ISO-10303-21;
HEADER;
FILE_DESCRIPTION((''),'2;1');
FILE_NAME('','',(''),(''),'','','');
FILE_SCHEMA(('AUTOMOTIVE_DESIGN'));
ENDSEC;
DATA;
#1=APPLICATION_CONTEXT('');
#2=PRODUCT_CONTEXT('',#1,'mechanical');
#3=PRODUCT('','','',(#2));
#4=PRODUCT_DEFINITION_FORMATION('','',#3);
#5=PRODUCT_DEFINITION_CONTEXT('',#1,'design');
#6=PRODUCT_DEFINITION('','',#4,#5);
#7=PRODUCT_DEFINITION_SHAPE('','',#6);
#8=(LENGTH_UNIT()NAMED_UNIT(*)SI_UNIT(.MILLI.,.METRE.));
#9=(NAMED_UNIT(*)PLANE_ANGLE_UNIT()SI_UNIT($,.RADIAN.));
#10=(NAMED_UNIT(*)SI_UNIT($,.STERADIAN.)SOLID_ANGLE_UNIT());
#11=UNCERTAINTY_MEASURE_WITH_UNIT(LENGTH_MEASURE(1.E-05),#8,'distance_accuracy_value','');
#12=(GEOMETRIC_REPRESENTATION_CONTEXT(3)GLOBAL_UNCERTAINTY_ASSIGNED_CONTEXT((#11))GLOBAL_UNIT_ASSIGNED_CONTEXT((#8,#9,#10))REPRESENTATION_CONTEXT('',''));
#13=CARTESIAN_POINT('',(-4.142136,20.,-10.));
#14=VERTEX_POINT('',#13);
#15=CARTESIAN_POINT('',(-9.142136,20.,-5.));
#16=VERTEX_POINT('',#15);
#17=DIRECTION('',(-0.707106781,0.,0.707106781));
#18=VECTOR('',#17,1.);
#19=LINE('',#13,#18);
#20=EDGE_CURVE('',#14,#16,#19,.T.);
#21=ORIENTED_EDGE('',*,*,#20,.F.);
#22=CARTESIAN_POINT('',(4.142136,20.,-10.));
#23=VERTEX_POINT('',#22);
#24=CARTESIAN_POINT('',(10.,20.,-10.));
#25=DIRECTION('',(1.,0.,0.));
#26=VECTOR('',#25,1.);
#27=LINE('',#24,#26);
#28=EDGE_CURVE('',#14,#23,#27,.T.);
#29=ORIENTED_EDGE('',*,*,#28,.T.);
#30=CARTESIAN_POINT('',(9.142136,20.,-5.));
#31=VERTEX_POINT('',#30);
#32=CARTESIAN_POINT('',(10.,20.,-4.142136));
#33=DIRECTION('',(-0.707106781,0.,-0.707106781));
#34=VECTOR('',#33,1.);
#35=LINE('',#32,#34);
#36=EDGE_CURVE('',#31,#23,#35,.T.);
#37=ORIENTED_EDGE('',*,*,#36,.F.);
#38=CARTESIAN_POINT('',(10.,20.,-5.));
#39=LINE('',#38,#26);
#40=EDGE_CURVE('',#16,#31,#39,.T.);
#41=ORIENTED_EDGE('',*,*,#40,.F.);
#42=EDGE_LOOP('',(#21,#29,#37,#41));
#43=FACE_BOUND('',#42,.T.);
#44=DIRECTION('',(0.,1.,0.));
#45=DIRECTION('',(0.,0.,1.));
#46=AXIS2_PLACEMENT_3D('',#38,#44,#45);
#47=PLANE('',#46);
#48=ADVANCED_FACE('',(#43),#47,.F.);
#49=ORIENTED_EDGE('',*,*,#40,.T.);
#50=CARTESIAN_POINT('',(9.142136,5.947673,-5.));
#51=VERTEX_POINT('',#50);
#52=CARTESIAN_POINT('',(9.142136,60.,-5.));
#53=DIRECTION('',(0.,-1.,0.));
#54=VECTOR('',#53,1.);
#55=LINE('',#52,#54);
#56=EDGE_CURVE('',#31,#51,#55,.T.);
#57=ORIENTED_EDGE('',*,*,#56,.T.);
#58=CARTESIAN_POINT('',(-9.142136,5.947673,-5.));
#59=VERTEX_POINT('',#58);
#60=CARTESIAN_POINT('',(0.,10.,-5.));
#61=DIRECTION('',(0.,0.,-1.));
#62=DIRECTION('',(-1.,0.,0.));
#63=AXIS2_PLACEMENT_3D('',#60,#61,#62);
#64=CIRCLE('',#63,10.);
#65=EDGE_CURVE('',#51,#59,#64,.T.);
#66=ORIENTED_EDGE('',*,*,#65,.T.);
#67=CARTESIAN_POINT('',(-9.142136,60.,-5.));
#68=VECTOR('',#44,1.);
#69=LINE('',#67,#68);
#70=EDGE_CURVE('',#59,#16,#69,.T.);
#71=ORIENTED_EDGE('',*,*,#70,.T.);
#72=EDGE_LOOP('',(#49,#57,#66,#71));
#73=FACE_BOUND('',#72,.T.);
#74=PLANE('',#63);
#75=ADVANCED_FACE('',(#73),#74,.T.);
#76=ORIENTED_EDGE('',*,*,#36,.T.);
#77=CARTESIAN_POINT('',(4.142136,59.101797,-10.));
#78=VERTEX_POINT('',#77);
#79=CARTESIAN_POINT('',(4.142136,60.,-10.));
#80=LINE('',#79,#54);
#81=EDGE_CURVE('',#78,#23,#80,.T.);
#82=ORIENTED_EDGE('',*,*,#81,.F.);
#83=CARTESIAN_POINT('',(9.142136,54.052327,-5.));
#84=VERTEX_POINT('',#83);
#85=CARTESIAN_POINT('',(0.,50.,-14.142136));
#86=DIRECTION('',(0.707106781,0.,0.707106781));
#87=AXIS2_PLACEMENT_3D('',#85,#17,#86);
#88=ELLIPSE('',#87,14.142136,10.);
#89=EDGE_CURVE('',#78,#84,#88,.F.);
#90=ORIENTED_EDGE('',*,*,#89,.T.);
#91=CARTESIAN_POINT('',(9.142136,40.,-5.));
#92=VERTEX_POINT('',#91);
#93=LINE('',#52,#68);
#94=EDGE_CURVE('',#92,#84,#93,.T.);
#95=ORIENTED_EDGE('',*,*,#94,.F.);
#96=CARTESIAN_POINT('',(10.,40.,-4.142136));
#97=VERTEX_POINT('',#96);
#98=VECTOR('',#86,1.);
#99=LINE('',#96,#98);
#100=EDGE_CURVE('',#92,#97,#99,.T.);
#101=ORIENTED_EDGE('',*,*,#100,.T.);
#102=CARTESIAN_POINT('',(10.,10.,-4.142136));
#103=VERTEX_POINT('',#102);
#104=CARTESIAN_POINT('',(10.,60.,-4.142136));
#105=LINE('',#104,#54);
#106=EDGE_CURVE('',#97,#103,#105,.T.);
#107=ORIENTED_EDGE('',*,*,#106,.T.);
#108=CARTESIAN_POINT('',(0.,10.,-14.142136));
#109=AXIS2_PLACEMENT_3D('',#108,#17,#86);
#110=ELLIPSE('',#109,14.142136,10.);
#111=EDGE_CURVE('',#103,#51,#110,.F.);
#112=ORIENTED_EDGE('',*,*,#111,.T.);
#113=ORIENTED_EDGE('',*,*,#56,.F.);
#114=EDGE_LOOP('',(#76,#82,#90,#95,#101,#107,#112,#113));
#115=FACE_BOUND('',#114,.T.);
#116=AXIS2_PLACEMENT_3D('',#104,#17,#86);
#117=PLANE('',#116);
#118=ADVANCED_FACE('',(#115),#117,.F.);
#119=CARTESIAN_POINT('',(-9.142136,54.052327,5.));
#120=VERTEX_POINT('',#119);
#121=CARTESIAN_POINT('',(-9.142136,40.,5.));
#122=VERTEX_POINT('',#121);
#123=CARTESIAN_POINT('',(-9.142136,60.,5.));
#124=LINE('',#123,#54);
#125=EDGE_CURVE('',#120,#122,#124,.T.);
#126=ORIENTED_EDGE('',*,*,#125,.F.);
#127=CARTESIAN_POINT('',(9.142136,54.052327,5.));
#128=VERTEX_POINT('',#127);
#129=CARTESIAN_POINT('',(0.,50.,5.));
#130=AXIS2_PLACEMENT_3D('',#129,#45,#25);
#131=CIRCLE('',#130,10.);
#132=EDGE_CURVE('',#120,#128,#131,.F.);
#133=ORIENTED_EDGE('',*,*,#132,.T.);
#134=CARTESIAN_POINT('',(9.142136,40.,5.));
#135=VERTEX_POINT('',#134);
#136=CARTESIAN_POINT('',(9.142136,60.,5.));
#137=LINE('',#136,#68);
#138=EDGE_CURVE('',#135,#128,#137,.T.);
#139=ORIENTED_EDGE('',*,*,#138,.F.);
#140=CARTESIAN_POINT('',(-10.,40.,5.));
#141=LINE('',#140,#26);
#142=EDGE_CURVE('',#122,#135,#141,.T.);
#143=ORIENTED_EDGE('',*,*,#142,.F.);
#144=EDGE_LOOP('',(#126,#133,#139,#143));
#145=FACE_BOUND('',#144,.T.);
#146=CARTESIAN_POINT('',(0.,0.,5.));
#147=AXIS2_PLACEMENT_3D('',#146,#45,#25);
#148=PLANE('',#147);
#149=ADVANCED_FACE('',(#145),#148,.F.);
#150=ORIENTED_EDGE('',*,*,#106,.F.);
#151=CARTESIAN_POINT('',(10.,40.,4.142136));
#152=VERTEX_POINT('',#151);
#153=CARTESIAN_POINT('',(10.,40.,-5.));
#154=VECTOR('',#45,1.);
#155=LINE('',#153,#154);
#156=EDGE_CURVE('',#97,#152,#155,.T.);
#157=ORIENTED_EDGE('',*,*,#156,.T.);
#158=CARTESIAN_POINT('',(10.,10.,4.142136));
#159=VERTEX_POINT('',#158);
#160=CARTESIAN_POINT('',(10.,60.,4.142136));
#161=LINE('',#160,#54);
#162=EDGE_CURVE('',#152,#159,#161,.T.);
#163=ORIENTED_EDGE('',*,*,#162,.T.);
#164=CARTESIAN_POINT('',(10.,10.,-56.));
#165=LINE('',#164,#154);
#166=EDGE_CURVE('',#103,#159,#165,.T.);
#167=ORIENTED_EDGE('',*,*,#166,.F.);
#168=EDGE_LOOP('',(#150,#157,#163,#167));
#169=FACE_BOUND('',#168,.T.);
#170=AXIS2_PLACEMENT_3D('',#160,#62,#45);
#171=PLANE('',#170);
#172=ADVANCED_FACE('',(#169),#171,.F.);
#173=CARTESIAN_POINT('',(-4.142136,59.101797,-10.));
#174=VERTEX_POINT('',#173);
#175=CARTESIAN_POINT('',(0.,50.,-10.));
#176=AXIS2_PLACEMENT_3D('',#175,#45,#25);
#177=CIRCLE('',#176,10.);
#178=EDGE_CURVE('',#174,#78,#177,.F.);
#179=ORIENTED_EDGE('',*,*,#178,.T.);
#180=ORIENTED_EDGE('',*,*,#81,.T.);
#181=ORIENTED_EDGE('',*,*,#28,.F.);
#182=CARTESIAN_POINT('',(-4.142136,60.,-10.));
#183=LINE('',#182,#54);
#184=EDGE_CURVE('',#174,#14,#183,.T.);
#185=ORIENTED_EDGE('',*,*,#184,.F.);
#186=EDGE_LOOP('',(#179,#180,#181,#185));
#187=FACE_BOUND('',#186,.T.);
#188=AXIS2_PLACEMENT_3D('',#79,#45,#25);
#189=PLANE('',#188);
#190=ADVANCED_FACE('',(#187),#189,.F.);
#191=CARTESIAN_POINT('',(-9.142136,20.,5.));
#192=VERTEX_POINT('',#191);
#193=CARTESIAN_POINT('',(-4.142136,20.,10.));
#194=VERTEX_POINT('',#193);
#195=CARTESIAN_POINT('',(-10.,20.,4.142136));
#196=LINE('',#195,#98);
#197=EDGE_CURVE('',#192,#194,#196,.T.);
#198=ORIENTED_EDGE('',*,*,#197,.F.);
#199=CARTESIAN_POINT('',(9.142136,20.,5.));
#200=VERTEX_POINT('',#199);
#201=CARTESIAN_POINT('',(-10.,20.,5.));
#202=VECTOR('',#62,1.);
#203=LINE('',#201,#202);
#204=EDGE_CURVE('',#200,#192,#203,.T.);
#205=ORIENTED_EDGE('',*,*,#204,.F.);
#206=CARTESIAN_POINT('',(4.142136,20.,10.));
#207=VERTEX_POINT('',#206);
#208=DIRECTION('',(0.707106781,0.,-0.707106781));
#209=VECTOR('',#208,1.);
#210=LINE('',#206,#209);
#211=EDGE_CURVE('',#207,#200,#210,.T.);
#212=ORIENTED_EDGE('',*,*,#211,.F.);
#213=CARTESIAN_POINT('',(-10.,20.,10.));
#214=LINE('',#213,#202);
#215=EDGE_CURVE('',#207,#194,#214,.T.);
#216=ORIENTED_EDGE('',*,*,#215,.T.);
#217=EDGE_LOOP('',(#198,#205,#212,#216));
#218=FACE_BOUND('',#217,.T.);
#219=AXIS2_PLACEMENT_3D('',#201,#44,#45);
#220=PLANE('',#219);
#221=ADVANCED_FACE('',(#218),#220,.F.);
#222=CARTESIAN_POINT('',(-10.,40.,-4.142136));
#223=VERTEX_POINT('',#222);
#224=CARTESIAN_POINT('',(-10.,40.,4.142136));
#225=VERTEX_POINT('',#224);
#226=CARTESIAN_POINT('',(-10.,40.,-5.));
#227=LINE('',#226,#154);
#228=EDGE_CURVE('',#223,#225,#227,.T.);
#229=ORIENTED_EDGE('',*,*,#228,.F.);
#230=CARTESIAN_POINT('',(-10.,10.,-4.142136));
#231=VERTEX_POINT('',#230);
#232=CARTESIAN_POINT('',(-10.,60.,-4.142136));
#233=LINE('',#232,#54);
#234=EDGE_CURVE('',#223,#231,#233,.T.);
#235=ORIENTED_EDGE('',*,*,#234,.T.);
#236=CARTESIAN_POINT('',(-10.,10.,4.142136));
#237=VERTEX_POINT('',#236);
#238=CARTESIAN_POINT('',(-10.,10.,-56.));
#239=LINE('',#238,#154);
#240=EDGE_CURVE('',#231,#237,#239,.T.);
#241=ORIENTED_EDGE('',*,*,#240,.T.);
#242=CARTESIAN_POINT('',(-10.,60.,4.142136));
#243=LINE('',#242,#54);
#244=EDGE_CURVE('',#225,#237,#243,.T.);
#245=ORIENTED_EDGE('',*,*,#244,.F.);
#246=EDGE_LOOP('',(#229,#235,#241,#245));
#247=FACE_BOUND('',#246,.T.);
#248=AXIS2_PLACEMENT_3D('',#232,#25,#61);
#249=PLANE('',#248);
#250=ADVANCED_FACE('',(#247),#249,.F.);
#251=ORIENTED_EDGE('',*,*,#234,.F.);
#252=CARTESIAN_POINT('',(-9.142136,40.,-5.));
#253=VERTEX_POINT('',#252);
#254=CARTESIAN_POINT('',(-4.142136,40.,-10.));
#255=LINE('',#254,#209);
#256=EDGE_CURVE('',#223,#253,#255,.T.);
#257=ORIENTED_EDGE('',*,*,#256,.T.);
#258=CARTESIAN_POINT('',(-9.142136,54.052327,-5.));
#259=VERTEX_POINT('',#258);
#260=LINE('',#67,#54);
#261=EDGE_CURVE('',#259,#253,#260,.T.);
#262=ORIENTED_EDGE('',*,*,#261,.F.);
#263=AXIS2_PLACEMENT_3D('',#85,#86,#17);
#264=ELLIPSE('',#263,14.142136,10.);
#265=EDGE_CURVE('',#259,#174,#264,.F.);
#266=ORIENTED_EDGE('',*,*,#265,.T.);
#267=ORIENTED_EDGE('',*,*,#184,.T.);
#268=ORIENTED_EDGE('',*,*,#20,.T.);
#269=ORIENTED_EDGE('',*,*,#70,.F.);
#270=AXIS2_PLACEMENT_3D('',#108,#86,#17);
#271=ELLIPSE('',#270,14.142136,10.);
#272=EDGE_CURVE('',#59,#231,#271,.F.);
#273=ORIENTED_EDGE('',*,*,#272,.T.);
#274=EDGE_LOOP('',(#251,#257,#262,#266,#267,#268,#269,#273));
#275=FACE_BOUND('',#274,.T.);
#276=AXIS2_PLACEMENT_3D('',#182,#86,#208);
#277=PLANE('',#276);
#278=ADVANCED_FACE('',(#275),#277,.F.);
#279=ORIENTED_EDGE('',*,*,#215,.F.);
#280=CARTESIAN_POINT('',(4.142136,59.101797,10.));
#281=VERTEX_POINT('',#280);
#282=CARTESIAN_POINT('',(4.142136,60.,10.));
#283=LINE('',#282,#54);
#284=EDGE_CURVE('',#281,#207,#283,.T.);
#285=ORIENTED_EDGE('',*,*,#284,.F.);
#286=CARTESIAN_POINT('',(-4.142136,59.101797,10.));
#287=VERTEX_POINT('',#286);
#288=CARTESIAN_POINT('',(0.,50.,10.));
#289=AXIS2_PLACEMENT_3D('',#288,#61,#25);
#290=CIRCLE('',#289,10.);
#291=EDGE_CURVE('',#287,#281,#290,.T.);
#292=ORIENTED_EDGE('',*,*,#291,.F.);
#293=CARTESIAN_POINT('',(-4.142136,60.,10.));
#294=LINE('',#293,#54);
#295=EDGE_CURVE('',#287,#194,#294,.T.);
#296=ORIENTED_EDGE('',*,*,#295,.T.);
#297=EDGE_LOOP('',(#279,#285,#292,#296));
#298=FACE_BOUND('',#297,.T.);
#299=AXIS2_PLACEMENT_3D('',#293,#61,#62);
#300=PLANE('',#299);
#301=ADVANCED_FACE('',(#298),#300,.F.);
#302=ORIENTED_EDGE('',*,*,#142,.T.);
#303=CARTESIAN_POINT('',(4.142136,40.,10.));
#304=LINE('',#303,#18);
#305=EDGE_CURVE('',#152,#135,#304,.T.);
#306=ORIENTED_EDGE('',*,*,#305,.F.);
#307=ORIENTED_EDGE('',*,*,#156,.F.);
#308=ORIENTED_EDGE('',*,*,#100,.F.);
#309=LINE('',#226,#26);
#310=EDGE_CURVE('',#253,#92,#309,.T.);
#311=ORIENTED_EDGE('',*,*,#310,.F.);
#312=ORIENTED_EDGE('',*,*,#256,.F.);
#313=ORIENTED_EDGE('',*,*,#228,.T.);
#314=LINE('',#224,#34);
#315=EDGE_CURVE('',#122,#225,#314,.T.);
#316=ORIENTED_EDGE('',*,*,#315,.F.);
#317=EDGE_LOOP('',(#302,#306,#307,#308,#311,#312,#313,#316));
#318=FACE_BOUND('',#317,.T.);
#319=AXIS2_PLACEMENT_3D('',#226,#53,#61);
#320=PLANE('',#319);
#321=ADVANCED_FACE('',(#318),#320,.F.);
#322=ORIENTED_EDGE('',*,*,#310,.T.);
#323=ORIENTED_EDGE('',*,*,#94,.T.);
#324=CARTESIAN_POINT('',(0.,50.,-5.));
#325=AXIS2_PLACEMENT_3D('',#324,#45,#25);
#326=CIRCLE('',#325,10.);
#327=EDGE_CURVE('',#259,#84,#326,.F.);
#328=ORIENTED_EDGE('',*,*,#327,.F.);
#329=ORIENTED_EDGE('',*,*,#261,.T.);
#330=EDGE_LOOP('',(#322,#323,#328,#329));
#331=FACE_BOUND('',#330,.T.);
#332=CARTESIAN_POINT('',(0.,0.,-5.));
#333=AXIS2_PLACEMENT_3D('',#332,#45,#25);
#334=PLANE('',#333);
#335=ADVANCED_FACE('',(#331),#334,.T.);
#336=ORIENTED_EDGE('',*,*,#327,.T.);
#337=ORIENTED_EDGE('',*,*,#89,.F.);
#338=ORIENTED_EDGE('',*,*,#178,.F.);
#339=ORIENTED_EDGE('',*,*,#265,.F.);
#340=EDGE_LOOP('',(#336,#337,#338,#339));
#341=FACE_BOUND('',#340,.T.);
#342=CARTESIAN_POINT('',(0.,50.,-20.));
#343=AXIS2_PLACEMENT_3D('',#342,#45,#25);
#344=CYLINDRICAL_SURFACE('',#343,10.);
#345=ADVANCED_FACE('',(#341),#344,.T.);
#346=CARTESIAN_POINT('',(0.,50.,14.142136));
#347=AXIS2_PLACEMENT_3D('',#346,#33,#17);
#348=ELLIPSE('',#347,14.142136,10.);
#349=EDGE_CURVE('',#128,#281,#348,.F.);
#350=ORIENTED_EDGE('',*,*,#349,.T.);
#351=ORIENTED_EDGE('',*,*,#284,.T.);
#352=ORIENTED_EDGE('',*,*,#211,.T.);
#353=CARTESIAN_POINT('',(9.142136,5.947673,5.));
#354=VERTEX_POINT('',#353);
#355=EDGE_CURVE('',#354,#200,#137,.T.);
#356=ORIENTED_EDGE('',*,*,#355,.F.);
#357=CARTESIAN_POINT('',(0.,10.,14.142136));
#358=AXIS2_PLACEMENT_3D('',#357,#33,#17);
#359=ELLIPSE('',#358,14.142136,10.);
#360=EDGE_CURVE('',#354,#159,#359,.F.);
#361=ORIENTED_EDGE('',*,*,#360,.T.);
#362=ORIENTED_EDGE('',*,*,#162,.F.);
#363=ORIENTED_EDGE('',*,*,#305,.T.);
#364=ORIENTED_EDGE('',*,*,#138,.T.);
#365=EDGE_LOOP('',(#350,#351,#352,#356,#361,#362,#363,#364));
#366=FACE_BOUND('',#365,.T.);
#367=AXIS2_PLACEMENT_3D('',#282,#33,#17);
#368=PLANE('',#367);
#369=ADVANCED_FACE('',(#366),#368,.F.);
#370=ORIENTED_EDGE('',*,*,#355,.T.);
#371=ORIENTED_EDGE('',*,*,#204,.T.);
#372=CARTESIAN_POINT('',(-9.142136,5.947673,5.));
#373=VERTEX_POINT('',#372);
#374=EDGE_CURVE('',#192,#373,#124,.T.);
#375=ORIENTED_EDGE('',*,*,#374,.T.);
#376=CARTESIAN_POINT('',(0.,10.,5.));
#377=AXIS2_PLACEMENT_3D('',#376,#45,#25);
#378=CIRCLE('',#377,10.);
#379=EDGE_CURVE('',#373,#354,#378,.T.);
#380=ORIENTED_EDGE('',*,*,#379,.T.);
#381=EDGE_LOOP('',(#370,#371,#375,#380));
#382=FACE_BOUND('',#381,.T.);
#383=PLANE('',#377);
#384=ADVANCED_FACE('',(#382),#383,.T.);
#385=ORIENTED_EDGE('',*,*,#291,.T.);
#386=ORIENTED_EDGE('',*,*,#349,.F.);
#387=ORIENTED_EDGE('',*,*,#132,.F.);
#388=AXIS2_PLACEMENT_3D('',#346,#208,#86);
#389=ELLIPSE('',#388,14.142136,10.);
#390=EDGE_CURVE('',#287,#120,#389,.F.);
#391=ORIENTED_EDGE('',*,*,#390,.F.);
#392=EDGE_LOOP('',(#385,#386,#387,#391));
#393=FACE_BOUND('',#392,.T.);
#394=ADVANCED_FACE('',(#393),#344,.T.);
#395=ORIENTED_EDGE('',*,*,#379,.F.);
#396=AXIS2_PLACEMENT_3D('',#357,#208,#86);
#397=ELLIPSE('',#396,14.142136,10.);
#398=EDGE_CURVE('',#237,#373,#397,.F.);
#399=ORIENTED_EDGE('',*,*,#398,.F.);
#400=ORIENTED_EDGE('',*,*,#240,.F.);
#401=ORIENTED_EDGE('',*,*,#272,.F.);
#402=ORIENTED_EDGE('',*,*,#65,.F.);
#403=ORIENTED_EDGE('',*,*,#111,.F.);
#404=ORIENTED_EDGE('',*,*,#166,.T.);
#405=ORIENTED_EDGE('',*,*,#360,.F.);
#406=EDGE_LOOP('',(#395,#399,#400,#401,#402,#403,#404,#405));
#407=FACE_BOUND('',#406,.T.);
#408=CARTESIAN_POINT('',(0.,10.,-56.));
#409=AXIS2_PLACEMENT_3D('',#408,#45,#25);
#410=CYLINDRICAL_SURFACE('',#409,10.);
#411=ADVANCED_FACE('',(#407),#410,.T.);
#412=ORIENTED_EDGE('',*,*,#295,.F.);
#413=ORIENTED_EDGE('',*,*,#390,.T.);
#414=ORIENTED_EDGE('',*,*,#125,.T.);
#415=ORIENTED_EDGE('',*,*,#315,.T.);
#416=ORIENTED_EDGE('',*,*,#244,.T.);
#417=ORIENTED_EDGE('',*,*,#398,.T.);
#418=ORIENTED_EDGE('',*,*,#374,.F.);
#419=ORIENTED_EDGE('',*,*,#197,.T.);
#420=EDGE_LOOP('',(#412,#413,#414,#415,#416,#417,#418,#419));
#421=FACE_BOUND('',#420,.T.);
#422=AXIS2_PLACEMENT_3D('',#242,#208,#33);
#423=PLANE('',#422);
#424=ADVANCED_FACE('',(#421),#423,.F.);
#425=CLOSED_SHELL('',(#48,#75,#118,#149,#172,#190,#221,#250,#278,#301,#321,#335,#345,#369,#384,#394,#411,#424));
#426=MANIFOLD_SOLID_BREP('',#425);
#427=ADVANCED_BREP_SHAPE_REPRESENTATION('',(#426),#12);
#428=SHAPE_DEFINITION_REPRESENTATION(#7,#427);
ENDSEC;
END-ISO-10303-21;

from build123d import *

# Parameters (mm, degrees)
EXTRUDE_1_DEPTH     = 60
CUT_EXTRUDE_1_DEPTH = 66
CUT_EXTRUDE_2_DEPTH = 5
CUT_EXTRUDE_START   = -5
CUT_EXTRUDE_3_DEPTH = 5
SKETCH_6_W          = 20
SKETCH_6_H          = 20
CUT_EXTRUDE_4_DEPTH = 5
CUT_EXTRUDE_5_DEPTH = 30


with BuildPart() as part:
    # 草图1 → 凸台-拉伸1 (new body)
    with BuildSketch(Plane(origin=(0, 0, 0), x_dir=(1, 0, 0), z_dir=(0, 1, 0))):
        Polygon((10, 4.142135624), (4.142135624, 10), (-4.142135624, 10), (-10, 4.142135624), (-10, -4.142135624), (-4.142135624, -10), (4.142135624, -10), (10, -4.142135624), align=None)
    extrude(amount=EXTRUDE_1_DEPTH)

    # 草图2 → 切除-拉伸1 (cut)
    with BuildSketch(Plane.XY.offset(10)):
        with BuildLine():
            Line((-10, 10), (-10, -2.389295552))
            Line((-10, -2.389295552), (10, -2.389295552))
            Line((10, -2.389295552), (10, 10))
            ThreePointArc((10, 10), (0, 0), (-10, 10))
        make_face()
    extrude(amount=-CUT_EXTRUDE_1_DEPTH, mode=Mode.SUBTRACT)

    # 草图4 → 切除-拉伸2 (cut)
    with BuildSketch(Plane.XY.offset(10)):
        with BuildLine():
            Line((-10, 10), (-10, 20))
            Line((-10, 20), (10, 20))
            Line((10, 20), (10, 10))
            ThreePointArc((10, 10), (0, 0), (-10, 10))
        make_face()
    extrude(amount=-CUT_EXTRUDE_2_DEPTH, mode=Mode.SUBTRACT)

    # 草图5 → 切除-拉伸3 (cut)
    with BuildSketch(Plane(origin=(0, 0, -10), x_dir=(-1, 0, 0), z_dir=(0, 0, -1)).offset(CUT_EXTRUDE_START)):
        with BuildLine():
            Line((-10, 10), (-10, 20))
            Line((-10, 20), (10, 20))
            Line((10, 20), (10, 10))
            ThreePointArc((10, 10), (0, 0), (-10, 10))
        make_face()
    extrude(amount=CUT_EXTRUDE_3_DEPTH, mode=Mode.SUBTRACT)

    # 草图6 → 切除-拉伸4 (cut, symmetric)
    with BuildSketch(Plane.XY):
        with Locations((0, 50)):
            Rectangle(SKETCH_6_W, SKETCH_6_H)
    extrude(amount=CUT_EXTRUDE_4_DEPTH, both=True, mode=Mode.SUBTRACT)

    # 草图7 → 切除-拉伸5 (cut)
    with BuildSketch(Plane.XY.offset(10)):
        with BuildLine():
            Line((-10, 50), (-10, 63.661192365))
            Line((-10, 63.661192365), (10, 63.661192365))
            Line((10, 63.661192365), (10, 50))
            ThreePointArc((10, 50), (0, 60), (-10, 50))
        make_face()
    extrude(amount=-CUT_EXTRUDE_5_DEPTH, mode=Mode.SUBTRACT)


solid = part.part
